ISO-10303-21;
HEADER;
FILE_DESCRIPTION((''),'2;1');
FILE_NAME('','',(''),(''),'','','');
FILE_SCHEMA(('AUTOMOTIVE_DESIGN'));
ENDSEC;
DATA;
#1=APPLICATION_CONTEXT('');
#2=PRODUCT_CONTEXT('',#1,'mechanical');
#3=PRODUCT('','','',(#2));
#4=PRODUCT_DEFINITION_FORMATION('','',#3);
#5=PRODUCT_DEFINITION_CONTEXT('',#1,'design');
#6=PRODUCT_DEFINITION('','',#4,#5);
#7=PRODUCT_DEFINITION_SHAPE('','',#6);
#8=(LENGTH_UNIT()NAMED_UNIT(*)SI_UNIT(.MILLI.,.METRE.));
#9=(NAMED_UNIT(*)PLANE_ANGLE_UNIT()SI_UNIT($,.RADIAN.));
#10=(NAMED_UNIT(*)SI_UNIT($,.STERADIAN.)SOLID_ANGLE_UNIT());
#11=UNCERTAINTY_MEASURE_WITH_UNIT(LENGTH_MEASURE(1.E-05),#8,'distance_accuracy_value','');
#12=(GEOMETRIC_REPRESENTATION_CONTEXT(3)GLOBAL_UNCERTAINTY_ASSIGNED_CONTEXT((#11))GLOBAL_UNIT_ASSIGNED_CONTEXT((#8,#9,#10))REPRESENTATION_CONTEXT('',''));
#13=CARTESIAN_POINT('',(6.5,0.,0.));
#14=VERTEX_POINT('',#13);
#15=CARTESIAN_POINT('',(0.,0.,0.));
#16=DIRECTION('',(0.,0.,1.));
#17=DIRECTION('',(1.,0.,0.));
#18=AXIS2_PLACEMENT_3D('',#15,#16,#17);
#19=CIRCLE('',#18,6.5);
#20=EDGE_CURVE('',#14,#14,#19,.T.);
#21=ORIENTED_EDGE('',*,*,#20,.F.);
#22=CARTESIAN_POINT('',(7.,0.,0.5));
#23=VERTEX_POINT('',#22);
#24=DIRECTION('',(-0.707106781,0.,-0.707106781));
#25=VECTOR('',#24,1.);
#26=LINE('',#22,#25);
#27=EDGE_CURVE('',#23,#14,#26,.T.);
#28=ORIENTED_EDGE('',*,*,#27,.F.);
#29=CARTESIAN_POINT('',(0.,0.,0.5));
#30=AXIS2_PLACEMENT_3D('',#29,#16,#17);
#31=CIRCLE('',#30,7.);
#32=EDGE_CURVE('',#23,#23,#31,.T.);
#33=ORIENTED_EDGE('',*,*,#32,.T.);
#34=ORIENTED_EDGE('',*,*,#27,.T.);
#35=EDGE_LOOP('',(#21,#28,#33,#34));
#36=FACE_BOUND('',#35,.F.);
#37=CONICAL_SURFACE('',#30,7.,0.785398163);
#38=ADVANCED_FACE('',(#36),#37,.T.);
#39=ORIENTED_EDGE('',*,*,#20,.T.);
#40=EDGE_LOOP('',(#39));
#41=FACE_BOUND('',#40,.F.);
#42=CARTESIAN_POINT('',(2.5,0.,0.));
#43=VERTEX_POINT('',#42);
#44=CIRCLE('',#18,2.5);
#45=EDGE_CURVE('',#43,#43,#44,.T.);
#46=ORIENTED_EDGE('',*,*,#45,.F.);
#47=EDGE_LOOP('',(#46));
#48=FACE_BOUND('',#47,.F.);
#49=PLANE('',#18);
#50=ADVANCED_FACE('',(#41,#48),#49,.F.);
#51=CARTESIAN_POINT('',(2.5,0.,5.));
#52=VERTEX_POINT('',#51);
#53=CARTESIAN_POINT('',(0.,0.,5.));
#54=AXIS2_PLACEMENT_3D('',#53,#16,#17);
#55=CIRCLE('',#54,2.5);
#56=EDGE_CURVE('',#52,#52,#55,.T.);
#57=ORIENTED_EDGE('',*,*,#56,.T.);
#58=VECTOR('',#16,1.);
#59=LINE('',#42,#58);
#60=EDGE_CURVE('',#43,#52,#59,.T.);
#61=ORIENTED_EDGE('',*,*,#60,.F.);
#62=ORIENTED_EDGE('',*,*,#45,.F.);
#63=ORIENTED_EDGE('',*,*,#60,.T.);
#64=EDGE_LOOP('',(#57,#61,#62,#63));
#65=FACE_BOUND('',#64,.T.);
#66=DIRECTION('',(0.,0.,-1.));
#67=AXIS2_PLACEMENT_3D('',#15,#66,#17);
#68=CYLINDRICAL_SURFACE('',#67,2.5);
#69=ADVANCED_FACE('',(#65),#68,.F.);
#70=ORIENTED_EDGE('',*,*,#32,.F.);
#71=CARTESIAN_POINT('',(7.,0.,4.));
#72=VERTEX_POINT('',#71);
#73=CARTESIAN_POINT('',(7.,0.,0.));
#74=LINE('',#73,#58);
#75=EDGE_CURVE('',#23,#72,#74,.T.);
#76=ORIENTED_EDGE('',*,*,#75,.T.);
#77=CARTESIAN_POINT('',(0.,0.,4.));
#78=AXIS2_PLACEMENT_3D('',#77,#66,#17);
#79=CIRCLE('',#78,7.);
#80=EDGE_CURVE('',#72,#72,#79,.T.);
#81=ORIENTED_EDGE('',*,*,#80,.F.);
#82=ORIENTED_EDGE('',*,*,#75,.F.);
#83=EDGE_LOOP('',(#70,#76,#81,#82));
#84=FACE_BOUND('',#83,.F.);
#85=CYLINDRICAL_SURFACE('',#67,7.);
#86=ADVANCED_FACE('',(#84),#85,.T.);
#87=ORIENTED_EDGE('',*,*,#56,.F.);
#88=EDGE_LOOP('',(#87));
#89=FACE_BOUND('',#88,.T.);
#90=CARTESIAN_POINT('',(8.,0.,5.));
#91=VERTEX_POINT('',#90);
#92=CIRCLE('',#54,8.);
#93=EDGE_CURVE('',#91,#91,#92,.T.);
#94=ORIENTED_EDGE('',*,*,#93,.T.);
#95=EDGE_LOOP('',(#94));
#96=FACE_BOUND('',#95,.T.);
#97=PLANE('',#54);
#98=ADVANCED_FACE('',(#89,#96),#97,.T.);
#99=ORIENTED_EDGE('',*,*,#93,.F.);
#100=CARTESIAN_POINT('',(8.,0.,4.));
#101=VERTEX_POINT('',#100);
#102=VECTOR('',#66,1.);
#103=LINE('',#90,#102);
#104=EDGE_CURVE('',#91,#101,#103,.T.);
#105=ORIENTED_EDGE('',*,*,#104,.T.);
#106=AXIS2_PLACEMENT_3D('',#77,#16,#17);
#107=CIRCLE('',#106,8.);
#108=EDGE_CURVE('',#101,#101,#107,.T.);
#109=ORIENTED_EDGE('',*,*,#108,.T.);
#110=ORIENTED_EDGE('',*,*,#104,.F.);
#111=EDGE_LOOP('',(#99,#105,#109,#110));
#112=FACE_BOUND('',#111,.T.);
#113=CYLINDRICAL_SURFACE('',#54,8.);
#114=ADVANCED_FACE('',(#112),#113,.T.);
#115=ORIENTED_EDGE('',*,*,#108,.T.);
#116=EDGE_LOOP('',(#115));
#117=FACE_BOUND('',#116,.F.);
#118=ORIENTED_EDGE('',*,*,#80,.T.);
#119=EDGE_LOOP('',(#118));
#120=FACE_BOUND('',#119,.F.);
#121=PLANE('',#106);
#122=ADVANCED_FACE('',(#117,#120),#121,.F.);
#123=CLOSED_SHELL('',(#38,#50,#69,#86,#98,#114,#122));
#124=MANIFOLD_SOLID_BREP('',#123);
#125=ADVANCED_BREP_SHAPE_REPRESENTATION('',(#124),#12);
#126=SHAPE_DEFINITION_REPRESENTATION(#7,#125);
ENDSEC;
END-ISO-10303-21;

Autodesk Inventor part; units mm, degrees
ref_plane "YZ Plane" through (0, 0, 0) normal (1, 0, 0) x (0, 1, 0)
ref_plane "XZ Plane" through (0, 0, 0) normal (0, 1, 0) x (-1, 0, 0)
ref_plane "XY Plane" through (0, 0, 0) normal (0, 0, 1) x (1, 0, 0)
sketch "Sketch1" plane through (0, 0, 0) normal (0, 0, 1) x (1, 0, 0)
  circle A0 centre (0, 0) radius 5.0674 projected
  circle A1 centre (0, 0) radius 2.5
  circle A2 centre (0, 0) radius 7
  point P0 (0, 0)
  dimension "d0" = 5
  dimension "d1" = 14
extrude "Extrusion1" add sketch "Sketch1" along normal blind 5 contours A0 | A2
sketch "Sketch2" plane through (0, 0, 5) normal (0, 0, 1) x (1, 0, 0)
  circle A0 centre (0, 0) radius 2.5931
  circle A1 centre (0, 0) radius 2.5 projected
  circle A2 centre (0, 0) radius 8
  dimension "d4" = 16
extrude "Extrusion2" add sketch "Sketch2" against normal blind 1 contours A2
chamfer "Chamfer1" distance 0.5 angle 45 1 edges at (-7, 0, 0)
properties part number "Flanged Bearing"
